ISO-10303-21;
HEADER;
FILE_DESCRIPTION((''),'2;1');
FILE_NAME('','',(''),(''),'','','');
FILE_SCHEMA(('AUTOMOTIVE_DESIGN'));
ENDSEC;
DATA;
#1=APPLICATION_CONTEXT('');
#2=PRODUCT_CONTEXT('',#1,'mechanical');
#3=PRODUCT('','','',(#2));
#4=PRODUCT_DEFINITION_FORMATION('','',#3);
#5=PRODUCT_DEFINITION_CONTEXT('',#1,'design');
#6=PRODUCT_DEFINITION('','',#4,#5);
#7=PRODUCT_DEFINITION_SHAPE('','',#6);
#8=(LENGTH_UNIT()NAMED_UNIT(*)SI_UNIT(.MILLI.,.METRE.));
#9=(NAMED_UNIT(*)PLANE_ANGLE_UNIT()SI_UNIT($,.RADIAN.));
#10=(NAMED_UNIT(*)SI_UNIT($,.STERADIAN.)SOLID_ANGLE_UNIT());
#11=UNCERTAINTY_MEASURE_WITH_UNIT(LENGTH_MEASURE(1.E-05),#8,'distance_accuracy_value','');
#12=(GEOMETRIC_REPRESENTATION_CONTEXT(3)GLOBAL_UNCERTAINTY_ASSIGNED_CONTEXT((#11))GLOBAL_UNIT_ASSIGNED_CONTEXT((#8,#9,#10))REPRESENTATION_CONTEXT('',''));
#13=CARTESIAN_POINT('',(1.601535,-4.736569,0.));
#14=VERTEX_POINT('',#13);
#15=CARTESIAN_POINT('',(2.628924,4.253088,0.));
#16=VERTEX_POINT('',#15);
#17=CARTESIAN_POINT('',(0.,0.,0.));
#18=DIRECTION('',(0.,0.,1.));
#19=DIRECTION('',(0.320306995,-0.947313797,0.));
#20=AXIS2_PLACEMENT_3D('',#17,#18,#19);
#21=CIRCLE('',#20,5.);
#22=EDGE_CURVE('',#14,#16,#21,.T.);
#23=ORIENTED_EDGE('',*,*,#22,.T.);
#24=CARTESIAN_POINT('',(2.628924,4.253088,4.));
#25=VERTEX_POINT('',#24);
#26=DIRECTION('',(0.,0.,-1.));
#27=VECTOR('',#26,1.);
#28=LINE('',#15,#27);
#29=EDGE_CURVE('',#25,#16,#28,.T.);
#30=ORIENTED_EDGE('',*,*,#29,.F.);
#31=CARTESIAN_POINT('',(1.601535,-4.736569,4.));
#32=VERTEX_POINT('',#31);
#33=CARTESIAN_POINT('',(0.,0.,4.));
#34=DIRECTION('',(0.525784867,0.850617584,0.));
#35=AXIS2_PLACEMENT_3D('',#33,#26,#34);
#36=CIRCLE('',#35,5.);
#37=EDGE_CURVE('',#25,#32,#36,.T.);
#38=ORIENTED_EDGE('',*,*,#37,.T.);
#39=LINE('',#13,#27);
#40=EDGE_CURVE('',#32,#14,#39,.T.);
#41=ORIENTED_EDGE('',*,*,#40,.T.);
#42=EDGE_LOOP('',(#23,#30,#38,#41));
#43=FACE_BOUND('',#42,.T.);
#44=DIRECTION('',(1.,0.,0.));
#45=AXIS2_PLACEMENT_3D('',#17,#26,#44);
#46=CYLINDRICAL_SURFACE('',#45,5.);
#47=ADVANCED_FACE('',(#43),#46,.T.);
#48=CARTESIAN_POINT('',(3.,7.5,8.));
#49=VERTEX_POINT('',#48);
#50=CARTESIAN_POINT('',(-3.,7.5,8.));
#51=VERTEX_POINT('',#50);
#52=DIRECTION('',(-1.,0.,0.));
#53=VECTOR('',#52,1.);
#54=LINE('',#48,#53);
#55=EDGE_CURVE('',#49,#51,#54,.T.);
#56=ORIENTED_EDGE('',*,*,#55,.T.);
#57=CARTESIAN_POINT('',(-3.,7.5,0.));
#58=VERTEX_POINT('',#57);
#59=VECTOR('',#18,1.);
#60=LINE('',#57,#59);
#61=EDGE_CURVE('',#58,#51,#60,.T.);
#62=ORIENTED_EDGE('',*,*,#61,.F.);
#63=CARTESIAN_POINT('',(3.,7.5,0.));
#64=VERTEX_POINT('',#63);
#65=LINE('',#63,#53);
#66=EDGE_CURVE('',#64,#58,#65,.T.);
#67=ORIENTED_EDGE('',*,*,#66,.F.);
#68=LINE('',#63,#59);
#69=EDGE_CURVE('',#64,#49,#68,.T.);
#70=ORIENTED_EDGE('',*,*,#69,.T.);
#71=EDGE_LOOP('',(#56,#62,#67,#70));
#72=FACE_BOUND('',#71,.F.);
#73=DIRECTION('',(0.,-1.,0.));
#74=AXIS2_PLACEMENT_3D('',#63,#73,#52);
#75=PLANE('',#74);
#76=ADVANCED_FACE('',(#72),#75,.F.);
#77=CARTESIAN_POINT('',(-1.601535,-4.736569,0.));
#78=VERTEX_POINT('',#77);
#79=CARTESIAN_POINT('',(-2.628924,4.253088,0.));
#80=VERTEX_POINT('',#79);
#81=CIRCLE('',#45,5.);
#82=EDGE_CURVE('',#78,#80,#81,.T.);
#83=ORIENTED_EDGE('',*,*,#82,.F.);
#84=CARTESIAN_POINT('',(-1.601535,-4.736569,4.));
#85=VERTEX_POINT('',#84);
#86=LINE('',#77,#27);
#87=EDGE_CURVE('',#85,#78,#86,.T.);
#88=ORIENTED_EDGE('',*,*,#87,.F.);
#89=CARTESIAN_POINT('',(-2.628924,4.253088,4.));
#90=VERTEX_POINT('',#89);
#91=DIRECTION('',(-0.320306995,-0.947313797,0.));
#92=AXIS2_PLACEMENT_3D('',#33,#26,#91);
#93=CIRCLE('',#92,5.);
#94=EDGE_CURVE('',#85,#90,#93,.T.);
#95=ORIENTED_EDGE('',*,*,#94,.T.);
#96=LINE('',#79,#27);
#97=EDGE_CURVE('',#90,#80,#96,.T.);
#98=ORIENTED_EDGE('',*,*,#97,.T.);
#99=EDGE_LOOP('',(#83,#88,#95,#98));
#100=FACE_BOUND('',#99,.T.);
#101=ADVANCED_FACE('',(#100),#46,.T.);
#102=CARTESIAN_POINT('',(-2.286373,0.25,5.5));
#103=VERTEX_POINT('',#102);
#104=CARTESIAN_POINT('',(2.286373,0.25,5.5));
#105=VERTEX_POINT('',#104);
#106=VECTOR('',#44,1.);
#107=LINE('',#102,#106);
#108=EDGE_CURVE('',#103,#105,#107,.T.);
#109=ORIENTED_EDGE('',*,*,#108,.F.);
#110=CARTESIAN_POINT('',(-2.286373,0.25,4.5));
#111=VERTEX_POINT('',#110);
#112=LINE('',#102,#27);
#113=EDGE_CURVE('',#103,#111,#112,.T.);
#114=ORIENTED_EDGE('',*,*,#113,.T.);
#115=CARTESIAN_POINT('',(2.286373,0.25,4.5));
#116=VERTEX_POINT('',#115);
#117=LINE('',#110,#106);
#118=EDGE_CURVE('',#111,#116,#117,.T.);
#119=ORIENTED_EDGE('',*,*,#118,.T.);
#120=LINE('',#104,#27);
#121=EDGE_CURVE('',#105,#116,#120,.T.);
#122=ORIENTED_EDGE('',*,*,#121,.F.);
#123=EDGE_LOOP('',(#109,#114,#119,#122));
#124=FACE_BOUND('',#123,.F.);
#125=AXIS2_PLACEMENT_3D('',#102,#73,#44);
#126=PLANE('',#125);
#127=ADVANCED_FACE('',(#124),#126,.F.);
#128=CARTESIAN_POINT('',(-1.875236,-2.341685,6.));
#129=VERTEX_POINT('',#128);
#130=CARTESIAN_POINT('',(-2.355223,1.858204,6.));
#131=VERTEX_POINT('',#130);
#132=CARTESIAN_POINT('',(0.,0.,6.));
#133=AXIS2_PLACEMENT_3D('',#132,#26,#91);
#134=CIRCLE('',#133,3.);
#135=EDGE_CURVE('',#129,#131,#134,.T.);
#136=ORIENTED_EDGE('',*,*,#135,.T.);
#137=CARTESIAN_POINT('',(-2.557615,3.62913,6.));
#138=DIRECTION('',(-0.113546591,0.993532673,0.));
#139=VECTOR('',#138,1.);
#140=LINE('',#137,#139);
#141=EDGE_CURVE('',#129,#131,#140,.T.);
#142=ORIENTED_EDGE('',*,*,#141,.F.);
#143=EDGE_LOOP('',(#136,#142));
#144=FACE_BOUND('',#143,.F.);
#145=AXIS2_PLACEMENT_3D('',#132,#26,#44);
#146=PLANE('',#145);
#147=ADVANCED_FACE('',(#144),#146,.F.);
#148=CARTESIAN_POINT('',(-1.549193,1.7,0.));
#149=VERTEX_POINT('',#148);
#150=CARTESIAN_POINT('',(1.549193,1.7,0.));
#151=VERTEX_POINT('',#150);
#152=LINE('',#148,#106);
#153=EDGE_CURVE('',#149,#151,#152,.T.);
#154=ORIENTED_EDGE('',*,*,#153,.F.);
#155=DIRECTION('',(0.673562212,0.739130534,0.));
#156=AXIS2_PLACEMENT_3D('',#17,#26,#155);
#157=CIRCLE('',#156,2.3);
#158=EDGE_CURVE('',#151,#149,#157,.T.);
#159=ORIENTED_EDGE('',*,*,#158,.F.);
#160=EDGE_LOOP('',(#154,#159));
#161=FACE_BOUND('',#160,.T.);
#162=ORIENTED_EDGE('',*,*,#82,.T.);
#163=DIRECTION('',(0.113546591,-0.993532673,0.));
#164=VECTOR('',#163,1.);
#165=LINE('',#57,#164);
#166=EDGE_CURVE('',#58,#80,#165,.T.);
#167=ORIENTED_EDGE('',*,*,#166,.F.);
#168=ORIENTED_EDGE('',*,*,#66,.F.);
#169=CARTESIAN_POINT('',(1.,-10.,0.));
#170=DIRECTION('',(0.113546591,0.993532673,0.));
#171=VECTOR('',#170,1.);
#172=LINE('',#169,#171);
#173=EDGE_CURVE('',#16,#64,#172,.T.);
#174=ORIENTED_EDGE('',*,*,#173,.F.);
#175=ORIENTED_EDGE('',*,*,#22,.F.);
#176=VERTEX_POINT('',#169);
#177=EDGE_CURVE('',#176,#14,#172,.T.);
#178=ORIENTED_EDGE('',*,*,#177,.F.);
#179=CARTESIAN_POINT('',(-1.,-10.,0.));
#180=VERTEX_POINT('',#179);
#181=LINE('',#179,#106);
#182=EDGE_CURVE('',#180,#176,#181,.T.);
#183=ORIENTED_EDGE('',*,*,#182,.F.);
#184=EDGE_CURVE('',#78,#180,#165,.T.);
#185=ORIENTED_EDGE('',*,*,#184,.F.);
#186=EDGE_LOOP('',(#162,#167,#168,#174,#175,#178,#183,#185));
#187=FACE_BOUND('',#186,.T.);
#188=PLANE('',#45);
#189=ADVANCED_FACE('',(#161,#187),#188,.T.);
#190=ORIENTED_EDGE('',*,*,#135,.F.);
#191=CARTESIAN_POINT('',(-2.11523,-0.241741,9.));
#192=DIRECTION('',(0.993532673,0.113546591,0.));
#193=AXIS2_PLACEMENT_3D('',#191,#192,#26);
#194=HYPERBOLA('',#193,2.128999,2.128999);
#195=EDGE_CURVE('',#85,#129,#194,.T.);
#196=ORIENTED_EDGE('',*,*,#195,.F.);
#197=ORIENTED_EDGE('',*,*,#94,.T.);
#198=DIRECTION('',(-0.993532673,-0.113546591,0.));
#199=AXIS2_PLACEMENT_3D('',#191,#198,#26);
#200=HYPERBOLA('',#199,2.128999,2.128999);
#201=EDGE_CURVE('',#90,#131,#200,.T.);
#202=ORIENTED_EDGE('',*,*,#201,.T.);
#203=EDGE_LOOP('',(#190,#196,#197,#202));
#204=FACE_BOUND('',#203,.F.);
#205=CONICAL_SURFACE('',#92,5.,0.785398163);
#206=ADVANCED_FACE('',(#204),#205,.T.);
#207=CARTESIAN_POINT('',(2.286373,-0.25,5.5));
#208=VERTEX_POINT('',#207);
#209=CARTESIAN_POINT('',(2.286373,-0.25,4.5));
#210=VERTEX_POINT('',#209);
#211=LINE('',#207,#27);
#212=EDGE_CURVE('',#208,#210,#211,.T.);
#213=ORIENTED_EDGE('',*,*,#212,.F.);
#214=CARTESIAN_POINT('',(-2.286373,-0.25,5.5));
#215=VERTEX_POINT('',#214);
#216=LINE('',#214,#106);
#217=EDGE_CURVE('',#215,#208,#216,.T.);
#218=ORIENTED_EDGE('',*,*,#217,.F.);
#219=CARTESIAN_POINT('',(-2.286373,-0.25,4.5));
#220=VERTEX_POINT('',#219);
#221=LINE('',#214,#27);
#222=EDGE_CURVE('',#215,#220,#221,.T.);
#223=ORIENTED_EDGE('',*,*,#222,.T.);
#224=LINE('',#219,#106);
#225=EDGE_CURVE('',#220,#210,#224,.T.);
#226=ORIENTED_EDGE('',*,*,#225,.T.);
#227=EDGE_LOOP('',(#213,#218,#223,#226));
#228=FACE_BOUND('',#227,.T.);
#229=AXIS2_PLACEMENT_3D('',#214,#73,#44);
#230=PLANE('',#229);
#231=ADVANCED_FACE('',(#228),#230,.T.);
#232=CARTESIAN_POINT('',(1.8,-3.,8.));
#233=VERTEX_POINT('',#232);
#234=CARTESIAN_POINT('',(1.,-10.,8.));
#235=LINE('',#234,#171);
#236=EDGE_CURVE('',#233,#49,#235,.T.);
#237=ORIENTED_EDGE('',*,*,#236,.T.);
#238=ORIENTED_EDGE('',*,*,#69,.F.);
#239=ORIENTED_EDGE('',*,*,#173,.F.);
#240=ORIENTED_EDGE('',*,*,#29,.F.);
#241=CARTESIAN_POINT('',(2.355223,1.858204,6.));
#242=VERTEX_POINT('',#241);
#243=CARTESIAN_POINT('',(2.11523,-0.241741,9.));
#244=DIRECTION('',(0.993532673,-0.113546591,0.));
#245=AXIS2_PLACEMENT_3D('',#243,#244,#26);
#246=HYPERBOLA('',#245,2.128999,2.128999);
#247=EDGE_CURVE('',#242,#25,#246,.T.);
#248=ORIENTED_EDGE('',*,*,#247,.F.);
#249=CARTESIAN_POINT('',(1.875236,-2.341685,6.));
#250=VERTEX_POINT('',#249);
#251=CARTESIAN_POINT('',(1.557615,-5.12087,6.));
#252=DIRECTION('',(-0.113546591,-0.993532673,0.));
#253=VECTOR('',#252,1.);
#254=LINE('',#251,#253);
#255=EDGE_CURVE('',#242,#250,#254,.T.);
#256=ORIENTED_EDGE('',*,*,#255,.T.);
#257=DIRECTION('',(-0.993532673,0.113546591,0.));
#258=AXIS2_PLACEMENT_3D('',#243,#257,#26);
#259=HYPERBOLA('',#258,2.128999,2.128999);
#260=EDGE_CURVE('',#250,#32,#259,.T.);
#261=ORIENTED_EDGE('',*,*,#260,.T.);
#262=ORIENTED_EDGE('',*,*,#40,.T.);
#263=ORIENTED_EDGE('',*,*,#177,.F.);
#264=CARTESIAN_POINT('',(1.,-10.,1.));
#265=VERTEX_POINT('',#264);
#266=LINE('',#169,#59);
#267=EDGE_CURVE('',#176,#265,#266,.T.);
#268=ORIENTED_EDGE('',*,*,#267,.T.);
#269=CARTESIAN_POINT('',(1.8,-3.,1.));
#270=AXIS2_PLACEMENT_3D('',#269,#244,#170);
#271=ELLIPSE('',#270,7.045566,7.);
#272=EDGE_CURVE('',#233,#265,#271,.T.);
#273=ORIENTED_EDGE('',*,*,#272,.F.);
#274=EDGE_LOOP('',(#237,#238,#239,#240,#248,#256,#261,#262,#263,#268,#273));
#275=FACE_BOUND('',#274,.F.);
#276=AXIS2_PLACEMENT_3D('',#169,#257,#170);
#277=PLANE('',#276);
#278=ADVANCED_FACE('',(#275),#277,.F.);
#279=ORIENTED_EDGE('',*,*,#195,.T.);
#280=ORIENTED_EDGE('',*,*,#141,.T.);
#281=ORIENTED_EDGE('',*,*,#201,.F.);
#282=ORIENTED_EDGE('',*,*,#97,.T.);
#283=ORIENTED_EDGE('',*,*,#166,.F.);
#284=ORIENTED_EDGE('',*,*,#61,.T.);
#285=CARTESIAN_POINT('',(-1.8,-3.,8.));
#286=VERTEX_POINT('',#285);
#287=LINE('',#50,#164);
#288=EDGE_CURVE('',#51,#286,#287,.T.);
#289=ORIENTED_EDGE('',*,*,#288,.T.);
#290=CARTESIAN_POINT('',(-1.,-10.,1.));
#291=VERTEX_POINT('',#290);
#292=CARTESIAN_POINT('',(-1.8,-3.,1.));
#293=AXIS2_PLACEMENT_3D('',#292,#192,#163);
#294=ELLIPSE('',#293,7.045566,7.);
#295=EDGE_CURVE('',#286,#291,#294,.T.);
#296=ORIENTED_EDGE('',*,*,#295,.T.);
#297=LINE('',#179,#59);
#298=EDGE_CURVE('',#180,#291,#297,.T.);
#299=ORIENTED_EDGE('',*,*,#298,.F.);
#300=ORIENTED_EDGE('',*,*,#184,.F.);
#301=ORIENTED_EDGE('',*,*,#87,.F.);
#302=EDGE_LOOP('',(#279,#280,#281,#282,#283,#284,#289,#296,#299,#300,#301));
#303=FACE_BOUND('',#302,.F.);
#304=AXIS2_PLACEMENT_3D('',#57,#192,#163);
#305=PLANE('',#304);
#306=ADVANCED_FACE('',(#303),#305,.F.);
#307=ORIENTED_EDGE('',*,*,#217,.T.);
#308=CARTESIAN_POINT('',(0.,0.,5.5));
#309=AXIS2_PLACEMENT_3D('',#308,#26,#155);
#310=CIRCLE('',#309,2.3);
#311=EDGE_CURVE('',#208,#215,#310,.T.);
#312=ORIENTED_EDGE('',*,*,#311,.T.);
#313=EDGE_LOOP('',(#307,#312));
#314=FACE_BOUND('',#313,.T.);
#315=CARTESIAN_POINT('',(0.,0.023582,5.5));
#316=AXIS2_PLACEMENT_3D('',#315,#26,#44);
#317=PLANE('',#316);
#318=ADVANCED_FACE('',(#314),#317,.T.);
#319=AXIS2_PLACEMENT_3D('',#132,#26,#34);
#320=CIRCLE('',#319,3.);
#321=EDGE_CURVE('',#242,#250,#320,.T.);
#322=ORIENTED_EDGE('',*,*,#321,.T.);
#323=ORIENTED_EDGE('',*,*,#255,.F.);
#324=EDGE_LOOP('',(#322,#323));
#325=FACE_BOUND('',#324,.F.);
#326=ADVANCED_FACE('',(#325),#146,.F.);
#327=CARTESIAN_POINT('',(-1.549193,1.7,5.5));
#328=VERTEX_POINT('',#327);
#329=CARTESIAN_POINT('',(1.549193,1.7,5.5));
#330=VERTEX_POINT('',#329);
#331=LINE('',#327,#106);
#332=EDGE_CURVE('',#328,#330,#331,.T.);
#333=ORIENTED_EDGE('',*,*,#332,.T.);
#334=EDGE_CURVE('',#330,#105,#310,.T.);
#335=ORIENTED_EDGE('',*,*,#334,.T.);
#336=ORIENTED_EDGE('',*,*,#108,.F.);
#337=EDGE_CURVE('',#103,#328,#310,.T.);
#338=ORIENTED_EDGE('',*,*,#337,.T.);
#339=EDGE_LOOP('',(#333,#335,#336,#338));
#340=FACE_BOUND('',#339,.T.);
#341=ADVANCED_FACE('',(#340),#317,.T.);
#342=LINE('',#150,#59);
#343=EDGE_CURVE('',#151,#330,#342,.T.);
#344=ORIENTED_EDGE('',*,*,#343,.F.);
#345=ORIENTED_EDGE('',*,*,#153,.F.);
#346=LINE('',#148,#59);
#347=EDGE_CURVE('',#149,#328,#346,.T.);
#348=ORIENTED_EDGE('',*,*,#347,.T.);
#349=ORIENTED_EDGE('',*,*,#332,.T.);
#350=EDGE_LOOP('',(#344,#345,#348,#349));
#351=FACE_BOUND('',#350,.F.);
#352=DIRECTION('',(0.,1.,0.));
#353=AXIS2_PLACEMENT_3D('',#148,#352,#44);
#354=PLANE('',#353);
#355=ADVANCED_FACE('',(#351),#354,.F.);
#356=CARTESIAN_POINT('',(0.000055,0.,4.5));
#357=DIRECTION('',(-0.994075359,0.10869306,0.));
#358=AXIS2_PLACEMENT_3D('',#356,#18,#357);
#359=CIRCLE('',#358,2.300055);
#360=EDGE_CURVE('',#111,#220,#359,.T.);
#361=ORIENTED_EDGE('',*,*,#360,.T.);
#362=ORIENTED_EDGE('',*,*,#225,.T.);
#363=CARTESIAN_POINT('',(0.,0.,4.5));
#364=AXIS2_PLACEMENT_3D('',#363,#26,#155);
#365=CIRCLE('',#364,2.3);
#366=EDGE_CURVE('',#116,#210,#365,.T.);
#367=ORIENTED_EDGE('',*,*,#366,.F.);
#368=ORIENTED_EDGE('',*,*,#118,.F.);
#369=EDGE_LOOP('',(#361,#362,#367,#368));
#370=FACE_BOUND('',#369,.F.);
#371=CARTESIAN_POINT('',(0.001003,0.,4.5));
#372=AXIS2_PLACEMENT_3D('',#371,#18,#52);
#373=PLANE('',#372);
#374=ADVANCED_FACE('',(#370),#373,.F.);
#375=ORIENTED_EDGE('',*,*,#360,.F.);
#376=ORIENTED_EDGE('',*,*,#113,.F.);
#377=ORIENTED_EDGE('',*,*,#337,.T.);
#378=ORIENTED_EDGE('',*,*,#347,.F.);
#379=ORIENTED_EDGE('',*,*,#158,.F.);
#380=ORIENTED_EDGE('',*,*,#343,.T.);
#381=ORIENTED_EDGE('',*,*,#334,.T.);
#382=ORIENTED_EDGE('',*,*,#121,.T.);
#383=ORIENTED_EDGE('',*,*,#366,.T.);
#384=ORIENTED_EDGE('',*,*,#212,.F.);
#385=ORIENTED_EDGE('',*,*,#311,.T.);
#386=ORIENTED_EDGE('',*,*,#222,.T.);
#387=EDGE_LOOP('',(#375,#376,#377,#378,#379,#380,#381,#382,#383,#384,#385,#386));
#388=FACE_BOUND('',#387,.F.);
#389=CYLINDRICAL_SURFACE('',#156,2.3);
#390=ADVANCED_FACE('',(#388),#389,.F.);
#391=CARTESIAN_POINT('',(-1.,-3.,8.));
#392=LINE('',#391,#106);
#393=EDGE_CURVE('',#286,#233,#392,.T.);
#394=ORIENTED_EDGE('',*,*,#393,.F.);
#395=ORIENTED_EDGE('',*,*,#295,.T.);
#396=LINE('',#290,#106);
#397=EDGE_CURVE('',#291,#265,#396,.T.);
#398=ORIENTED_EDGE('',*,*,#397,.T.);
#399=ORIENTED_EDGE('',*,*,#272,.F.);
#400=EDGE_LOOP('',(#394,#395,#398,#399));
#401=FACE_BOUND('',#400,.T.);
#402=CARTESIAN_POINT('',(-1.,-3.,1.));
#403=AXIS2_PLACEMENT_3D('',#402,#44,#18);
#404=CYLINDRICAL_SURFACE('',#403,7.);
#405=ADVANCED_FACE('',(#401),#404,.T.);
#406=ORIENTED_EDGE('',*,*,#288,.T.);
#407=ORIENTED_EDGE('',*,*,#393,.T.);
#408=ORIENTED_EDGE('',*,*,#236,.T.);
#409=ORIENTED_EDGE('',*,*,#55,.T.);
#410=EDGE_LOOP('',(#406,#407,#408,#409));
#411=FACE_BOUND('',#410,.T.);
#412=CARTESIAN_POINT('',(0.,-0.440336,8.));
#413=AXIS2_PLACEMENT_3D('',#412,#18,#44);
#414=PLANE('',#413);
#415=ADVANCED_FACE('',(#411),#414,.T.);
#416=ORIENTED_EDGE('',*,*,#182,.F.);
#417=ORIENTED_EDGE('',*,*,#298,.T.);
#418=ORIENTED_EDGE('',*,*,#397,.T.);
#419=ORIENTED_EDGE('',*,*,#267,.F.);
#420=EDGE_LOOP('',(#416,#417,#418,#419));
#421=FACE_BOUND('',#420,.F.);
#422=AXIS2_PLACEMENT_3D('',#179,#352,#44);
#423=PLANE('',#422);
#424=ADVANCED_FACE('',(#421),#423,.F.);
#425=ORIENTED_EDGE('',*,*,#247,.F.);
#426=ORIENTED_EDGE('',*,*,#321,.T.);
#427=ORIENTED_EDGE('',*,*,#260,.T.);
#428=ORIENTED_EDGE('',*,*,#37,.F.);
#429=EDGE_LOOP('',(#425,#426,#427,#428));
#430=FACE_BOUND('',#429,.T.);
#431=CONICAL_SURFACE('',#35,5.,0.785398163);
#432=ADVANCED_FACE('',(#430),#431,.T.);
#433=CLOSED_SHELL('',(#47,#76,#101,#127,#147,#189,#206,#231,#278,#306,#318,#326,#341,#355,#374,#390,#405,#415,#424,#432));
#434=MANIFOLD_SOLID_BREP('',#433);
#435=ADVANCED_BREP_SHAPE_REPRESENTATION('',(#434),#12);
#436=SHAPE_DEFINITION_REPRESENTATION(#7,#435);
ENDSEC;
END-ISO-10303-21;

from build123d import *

# Parameters (mm, degrees)
PAD_DEPTH    = 8
SKETCH001_R  = 5
PAD001_DEPTH = 6
POCKET_DEPTH = 5.5
PAD002_DEPTH = 1
CHAMFER_SIZE = 2
FILLET_R     = 7


with BuildPart() as part:
    # Sketch → Pad (new body)
    with BuildSketch(Plane.XY):
        Polygon((1, -10), (3, 7.5), (0, 7.5), (-3, 7.5), (-1, -10), (0, -10), align=None)
    extrude(amount=PAD_DEPTH)

    # Sketch001 (on Face2 of Pad) → Pad001 (join)
    with BuildSketch(Plane(origin=(0, 0, 0), x_dir=(1, 0, 0), z_dir=(0, 0, -1))):
        Circle(SKETCH001_R)
    extrude(amount=-PAD001_DEPTH)

    # Sketch002 (on Face9 of Pad001) → Pocket (cut)
    with BuildSketch(Plane(origin=(0, 0, 0), x_dir=(1, 0, 0), z_dir=(0, 0, -1))):
        with BuildLine():
            Line((-1.549193, -1.7), (1.549193, -1.7))
            ThreePointArc((1.549193, -1.7), (0, 2.3), (-1.549193, -1.7))
        make_face()
    extrude(amount=-POCKET_DEPTH, mode=Mode.SUBTRACT)

    # Sketch003 (on Face13 of Pocket) → Pad002 (join)
    with BuildSketch(Plane(origin=(0, 0, 5.5), x_dir=(1, 0, 0), z_dir=(0, 0, -1))):
        with BuildLine():
            Line((-2.286373, 0.25), (2.286373, 0.25))
            ThreePointArc((2.286373, -0.25), (2.313709, 0), (2.286373, 0.25))
            Line((-2.286373, -0.25), (2.286373, -0.25))
            ThreePointArc((-2.286373, 0.25), (-2.3, 0), (-2.286373, -0.25))
        make_face()
    extrude(amount=PAD002_DEPTH)

    # Chamfer
    chamfer_edges = [part.edges().sort_by_distance(p)[0] for p in [
        (4.062492, -2.914818, 6),
        (4.367186, 2.434685, 6),
        (-4.967663, -0.567733, 6),
    ]]
    chamfer(chamfer_edges, length=CHAMFER_SIZE)

    # Fillet
    fillet_edges = [part.edges().sort_by_distance(p)[0] for p in [
        (0, -10, 8),
    ]]
    fillet(fillet_edges, radius=FILLET_R)


solid = part.part
